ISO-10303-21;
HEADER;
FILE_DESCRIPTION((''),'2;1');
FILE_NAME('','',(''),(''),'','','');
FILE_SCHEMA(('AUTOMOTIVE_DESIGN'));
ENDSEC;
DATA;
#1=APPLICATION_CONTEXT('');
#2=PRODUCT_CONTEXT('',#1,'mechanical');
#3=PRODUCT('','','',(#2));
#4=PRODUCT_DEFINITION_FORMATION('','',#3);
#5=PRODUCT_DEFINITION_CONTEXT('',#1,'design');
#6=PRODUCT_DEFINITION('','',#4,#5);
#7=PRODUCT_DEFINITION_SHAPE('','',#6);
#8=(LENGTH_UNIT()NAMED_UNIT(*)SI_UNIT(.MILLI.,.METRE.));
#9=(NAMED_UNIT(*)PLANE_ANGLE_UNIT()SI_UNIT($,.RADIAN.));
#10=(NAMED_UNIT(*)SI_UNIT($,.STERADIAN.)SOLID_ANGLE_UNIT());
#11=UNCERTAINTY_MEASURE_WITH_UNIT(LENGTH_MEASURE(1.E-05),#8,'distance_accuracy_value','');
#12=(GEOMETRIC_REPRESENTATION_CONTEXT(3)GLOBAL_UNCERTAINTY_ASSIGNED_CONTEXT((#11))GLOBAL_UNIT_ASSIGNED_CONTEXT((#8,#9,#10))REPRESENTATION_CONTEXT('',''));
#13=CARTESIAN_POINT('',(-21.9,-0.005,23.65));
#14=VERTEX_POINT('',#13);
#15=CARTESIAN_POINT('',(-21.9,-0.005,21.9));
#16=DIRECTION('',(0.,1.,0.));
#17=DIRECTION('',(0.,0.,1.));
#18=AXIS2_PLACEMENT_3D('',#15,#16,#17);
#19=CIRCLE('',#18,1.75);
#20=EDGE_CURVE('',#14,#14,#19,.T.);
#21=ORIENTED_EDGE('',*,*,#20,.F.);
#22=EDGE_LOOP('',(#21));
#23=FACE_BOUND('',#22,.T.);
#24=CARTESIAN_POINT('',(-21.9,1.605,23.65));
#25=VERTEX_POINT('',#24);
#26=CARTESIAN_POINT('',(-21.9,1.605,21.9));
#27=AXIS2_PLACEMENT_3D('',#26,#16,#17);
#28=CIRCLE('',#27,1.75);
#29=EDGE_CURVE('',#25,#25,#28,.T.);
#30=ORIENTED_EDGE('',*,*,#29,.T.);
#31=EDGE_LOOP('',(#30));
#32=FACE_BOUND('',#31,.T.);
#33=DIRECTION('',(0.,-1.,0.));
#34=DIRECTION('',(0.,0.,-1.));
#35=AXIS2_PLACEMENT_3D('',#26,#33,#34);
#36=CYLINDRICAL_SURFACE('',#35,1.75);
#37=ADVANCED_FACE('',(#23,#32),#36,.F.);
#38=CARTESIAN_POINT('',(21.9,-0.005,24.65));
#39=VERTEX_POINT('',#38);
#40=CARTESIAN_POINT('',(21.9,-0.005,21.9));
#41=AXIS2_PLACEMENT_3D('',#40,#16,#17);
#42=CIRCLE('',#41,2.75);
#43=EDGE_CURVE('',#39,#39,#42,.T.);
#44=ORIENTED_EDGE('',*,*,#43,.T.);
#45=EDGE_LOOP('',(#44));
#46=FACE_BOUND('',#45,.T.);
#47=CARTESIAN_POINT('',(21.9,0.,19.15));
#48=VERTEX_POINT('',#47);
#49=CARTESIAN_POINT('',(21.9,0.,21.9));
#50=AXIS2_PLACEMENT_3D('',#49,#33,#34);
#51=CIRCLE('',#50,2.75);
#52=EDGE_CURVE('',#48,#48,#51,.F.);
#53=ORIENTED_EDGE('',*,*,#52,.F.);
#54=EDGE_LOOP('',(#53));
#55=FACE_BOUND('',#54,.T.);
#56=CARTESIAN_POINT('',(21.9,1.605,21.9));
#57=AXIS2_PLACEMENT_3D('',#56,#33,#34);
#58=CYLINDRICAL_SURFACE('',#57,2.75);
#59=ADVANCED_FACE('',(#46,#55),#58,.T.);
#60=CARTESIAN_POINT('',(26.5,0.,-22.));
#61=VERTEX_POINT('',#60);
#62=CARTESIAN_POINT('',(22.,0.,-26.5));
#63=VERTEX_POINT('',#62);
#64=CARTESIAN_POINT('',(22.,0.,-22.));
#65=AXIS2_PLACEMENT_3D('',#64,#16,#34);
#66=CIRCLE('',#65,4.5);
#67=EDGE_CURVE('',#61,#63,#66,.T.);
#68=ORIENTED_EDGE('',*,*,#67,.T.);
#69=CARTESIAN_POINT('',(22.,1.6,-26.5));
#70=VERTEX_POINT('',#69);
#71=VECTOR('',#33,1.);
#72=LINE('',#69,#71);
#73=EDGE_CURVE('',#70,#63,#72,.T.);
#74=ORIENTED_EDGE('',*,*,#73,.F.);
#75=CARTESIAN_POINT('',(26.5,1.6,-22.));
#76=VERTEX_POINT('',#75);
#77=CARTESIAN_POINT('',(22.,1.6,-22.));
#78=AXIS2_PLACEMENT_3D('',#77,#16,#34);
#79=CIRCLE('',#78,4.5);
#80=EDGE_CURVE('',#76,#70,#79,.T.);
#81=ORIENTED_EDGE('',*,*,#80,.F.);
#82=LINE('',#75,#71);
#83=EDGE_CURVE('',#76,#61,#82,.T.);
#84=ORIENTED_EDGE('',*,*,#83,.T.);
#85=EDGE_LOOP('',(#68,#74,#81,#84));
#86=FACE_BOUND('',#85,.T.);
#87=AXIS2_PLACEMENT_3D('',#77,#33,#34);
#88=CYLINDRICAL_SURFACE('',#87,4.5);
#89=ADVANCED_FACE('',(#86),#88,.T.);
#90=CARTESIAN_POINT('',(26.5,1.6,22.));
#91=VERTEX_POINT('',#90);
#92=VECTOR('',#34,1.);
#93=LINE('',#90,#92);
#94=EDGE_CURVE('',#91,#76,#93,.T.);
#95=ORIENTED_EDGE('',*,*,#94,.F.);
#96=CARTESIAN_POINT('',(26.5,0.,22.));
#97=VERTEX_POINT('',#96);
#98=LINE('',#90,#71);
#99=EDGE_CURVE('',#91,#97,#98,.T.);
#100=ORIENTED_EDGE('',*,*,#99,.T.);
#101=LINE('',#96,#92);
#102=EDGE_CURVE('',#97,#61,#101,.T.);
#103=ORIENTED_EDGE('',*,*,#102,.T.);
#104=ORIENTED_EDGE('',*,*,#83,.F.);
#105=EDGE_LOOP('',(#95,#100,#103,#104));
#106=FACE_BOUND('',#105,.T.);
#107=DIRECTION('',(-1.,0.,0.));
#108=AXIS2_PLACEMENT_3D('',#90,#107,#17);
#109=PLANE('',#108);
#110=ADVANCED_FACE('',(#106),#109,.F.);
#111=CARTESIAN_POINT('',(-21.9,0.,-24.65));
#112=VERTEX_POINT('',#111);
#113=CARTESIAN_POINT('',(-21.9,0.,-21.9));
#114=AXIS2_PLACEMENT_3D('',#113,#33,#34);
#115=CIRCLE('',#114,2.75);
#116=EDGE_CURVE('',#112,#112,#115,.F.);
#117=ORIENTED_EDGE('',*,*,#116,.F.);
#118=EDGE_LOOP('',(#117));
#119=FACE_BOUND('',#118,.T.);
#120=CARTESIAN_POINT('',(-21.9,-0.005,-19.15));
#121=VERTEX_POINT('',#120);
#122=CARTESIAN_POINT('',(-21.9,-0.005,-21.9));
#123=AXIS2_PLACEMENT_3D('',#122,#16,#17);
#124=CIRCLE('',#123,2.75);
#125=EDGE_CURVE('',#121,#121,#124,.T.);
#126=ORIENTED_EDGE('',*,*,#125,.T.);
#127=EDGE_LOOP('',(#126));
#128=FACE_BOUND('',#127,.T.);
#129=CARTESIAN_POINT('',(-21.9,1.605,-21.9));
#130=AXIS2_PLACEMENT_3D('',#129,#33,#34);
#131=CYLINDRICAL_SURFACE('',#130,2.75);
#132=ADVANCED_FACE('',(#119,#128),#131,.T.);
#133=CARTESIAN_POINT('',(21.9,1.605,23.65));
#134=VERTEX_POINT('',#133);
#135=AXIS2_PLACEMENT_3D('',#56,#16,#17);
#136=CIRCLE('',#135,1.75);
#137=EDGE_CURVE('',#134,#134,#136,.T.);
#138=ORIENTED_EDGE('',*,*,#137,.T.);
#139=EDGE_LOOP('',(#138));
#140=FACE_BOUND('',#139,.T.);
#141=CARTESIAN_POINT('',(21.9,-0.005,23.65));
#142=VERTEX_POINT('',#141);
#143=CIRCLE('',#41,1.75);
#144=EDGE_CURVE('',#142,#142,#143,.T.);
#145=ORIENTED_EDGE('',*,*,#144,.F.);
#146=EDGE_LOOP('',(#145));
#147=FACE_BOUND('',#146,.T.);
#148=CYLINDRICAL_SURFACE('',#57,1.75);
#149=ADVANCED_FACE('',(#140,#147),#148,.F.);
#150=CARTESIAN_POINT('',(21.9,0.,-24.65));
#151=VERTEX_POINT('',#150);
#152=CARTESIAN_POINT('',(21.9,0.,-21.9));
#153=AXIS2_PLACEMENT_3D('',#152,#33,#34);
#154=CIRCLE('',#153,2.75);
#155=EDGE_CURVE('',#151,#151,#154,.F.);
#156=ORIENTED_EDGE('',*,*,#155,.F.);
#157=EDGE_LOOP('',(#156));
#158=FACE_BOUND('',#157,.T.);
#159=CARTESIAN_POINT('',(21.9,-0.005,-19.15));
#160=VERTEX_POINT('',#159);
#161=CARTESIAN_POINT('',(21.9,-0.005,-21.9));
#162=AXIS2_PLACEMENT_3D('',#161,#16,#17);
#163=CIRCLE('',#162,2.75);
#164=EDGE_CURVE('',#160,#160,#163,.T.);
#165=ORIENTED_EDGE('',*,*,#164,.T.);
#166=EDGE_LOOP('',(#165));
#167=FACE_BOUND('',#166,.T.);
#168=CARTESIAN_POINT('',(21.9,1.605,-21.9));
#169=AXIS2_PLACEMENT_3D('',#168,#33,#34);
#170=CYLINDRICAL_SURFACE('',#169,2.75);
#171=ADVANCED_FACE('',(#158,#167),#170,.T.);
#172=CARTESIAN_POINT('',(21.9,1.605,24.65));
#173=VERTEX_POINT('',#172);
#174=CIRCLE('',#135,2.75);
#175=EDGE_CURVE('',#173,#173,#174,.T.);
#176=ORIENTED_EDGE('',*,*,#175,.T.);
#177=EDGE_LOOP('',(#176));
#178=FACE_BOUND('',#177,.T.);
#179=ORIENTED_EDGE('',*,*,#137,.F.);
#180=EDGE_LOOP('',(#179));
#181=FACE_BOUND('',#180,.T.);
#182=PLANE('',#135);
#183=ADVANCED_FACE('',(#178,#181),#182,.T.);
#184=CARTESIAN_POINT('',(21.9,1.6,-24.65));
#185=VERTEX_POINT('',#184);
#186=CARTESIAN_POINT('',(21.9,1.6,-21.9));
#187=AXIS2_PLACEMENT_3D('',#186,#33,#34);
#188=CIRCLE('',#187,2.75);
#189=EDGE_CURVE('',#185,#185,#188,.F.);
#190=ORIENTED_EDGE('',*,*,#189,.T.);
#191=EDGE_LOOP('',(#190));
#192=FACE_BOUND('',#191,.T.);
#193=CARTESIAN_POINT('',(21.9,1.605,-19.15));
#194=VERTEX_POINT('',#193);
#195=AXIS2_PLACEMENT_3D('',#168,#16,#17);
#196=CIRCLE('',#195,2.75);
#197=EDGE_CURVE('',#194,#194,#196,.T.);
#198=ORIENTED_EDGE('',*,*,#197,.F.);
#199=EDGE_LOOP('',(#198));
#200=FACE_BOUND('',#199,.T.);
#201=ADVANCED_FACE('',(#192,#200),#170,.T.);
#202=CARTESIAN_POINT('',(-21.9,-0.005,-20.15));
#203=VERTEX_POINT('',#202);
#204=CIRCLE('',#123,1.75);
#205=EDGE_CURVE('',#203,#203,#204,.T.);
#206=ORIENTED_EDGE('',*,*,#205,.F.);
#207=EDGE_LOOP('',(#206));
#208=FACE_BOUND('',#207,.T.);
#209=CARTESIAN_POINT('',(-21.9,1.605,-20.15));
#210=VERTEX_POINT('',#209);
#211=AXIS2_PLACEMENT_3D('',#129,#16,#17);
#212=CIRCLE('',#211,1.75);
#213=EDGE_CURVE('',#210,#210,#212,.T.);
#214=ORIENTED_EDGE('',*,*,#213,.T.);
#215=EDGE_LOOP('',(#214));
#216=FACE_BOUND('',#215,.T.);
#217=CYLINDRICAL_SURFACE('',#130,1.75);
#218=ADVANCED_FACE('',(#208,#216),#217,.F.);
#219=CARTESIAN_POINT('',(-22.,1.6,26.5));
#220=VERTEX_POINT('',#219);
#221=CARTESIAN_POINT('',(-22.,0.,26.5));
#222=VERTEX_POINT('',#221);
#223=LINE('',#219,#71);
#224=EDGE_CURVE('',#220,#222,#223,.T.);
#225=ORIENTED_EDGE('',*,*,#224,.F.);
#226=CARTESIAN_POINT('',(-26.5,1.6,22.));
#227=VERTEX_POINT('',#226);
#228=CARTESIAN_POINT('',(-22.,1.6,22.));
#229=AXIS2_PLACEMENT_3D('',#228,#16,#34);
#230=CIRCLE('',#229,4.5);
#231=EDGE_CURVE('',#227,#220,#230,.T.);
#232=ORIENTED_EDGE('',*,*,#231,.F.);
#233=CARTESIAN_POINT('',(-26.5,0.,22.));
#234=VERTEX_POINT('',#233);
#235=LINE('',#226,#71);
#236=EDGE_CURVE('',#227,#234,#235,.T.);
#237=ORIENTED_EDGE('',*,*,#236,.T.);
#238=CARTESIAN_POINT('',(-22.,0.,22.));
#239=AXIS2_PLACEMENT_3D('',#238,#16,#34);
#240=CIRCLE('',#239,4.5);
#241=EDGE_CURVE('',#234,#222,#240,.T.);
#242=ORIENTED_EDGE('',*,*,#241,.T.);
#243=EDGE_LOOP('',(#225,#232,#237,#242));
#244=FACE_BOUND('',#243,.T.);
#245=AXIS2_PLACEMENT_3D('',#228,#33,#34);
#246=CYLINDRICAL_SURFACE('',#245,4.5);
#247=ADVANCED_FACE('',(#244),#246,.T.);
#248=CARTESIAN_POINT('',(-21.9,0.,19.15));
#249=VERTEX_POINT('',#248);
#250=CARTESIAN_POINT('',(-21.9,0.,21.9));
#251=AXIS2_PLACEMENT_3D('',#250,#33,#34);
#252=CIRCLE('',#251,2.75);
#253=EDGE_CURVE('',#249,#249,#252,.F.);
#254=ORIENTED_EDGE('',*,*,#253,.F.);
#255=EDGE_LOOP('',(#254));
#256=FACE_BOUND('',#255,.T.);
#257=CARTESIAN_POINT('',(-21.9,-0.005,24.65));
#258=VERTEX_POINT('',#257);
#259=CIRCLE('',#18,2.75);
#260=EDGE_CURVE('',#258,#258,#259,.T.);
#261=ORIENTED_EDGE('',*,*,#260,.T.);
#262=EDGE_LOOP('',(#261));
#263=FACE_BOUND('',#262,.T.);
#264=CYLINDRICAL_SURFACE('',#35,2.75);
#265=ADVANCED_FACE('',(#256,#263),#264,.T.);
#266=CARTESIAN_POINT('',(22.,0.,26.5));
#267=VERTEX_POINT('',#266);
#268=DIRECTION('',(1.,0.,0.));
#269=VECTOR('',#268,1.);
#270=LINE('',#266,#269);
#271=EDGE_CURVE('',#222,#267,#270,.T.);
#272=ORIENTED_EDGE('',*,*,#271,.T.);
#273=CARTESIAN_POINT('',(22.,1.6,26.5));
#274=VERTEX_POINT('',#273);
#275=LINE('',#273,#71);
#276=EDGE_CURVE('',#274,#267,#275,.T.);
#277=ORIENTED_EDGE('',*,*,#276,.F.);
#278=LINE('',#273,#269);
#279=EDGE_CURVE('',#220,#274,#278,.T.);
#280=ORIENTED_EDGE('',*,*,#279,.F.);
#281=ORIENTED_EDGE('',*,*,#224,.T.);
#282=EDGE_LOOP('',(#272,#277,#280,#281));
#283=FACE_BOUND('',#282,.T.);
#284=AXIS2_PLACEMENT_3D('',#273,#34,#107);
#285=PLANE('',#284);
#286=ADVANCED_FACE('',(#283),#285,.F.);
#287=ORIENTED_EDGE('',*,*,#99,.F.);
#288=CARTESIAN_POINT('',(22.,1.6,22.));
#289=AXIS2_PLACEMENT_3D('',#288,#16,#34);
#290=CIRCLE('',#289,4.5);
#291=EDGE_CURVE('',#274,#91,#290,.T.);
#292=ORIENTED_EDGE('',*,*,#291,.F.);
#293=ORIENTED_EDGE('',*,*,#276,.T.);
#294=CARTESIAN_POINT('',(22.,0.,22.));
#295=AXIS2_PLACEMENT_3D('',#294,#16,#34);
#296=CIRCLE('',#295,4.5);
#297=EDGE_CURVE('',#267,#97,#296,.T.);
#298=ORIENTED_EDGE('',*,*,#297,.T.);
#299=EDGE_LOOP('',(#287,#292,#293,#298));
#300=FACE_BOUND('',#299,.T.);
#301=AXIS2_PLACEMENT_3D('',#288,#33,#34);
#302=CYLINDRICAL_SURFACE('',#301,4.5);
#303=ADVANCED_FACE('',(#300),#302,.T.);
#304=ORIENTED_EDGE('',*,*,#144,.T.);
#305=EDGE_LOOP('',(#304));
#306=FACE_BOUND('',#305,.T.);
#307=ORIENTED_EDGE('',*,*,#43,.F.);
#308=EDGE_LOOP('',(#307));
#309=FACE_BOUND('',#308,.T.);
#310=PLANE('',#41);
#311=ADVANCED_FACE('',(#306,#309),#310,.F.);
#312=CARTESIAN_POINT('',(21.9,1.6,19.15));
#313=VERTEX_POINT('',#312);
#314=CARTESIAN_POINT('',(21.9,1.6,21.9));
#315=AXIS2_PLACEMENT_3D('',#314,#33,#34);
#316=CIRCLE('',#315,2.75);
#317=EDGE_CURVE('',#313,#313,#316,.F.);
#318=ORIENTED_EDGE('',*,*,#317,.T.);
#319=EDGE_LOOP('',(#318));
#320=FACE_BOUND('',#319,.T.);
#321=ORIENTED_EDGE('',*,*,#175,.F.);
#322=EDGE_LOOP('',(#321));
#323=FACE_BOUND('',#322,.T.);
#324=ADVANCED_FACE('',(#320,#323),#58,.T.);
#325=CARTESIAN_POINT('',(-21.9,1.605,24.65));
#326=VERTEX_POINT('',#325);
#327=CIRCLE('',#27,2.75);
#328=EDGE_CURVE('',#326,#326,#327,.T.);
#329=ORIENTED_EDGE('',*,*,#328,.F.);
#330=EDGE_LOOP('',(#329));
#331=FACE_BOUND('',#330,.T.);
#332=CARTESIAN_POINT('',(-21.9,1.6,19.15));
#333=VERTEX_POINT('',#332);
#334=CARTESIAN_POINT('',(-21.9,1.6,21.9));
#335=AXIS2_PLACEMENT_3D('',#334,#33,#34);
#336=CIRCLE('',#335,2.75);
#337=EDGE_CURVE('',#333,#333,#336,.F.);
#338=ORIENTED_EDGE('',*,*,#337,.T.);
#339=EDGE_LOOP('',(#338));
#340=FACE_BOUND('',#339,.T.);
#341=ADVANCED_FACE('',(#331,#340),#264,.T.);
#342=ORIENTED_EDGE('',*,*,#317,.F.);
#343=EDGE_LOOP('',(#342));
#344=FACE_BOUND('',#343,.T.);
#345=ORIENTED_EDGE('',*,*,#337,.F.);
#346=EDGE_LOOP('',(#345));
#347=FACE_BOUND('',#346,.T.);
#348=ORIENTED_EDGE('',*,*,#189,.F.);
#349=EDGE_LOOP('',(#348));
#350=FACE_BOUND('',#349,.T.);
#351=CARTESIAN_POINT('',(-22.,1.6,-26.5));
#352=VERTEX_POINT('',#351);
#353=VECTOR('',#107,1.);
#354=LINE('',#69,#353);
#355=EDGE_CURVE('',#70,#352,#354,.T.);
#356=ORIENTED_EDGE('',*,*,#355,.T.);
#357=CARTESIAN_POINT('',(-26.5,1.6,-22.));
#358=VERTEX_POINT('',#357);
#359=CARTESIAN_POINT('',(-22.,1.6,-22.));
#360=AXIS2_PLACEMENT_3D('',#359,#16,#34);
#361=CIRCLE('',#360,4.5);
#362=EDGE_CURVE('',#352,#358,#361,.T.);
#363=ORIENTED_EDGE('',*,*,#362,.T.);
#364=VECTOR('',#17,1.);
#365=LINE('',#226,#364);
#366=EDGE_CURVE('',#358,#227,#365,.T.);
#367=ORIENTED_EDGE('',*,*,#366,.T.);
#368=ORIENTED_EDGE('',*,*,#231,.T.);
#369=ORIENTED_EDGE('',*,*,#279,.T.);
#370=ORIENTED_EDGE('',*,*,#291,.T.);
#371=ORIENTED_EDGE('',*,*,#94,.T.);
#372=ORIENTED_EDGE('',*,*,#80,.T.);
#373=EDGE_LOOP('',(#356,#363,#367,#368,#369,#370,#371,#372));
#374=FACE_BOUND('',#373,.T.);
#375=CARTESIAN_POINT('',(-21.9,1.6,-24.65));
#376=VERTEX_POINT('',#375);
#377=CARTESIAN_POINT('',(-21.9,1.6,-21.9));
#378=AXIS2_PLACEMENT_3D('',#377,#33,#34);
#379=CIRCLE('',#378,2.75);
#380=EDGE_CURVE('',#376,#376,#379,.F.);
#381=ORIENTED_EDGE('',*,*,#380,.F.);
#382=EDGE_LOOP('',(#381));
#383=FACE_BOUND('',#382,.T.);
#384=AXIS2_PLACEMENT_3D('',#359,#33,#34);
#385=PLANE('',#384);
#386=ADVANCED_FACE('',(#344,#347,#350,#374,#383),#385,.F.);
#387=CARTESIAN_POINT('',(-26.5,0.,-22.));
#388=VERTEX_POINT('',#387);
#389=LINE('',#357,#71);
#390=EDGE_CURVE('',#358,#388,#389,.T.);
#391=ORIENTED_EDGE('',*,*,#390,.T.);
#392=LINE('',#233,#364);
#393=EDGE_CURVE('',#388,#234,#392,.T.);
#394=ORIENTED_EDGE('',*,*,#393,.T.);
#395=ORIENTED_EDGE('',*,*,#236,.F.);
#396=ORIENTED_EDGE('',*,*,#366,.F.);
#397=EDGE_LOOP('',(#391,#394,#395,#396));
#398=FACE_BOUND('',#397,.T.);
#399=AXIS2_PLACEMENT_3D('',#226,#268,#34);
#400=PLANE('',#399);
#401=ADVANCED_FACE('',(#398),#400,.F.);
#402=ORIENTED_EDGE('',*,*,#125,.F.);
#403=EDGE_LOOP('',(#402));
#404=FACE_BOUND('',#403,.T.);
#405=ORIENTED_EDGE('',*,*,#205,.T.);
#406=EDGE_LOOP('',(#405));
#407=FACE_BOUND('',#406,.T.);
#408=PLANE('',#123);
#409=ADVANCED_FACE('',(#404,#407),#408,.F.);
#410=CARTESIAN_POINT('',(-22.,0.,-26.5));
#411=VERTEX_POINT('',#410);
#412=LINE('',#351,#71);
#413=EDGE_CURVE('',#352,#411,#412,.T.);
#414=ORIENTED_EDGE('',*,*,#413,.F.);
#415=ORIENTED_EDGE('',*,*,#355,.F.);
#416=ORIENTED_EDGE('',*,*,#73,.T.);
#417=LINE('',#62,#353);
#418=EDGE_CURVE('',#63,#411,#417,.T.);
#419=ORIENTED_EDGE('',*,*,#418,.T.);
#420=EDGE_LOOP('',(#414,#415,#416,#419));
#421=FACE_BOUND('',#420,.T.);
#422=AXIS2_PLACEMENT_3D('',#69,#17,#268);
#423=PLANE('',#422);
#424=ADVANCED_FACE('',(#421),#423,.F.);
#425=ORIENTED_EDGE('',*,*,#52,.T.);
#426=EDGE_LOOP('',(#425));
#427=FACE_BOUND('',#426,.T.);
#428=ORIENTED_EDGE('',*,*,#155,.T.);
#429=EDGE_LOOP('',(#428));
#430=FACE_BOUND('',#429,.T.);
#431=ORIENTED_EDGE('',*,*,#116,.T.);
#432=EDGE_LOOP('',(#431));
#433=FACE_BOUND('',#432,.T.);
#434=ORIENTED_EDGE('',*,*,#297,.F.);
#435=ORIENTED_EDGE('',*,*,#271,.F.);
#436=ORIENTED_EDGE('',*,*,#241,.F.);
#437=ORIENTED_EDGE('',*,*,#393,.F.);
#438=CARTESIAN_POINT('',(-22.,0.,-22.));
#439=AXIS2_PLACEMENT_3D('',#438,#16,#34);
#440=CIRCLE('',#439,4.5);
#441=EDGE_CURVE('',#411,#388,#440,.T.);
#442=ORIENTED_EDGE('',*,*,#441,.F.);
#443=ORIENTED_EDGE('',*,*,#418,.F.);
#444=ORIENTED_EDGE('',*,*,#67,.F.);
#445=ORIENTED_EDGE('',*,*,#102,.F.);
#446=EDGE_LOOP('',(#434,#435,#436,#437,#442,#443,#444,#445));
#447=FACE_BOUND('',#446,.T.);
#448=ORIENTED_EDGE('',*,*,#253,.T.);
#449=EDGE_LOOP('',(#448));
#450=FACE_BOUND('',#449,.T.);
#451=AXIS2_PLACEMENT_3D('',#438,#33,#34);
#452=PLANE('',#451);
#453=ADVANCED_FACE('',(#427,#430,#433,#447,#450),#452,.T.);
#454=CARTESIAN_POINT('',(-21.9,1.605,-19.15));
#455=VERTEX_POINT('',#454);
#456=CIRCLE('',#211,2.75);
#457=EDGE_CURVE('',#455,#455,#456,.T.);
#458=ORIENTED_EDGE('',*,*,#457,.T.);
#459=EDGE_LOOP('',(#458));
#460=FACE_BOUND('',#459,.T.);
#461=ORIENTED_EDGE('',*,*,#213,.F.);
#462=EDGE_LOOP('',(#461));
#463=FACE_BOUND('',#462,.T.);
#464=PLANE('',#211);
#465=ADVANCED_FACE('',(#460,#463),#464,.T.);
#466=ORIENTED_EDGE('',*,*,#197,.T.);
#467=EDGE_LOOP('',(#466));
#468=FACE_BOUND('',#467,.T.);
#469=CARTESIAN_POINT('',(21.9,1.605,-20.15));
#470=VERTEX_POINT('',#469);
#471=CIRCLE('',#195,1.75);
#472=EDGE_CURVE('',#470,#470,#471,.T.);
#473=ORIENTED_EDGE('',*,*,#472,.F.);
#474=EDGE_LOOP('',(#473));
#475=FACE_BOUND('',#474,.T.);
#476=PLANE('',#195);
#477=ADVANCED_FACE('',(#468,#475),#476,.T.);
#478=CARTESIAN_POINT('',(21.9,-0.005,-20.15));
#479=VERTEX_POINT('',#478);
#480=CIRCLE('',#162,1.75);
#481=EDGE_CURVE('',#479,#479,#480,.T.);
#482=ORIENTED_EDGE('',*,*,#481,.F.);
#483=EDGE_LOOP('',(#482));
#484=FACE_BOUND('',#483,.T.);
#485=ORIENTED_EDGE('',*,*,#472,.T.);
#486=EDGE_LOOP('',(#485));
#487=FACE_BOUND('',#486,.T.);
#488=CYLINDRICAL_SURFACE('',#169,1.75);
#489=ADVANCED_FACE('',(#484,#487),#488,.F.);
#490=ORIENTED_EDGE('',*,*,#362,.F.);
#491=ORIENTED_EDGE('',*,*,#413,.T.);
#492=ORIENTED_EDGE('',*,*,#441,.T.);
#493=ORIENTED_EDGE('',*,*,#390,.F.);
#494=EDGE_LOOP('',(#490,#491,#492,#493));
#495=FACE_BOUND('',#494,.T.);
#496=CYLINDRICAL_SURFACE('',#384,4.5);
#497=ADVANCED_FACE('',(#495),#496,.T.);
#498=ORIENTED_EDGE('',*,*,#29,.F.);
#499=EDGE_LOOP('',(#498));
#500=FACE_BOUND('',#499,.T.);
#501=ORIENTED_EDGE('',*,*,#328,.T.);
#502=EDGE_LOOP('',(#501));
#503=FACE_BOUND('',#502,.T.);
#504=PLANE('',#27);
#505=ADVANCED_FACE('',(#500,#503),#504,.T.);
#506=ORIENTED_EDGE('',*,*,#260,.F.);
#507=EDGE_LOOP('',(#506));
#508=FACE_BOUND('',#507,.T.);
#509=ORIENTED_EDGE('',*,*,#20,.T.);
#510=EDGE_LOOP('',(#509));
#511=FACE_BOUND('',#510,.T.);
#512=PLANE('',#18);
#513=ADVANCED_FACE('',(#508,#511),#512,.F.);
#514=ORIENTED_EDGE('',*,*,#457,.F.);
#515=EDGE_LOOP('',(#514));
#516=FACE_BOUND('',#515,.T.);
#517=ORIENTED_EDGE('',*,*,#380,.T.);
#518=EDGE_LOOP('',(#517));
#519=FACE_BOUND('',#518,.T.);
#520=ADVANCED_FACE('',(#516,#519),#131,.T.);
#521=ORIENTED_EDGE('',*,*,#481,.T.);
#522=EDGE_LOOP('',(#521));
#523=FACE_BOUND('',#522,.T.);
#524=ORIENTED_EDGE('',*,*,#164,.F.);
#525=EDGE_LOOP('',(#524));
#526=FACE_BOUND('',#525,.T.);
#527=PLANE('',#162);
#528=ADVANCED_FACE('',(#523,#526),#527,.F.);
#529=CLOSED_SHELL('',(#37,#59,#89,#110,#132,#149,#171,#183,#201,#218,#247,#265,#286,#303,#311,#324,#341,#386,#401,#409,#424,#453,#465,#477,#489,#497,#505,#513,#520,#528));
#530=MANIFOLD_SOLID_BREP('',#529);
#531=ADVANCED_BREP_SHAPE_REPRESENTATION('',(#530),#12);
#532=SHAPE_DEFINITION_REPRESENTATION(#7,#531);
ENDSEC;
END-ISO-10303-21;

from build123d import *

# Parameters (mm, degrees)
SKETCH1_R           = 1.755
BOSS_EXTRUDE1_DEPTH = 1.6
BOSS_EXTRUDE2_START = 0.8
SKETCH2_R           = 2.75
SKETCH2_R_2         = 1.75
BOSS_EXTRUDE2_DEPTH = 0.805


with BuildPart() as part:
    # Sketch1 → Boss-Extrude1 (new body)
    with BuildSketch(Plane(origin=(0, 0, 0), x_dir=(1, 0, 0), z_dir=(0, 1, 0))):
        with BuildLine():
            Line((22, -26.5), (-22, -26.5))
            ThreePointArc((-22, -26.5), (-25.181980515, -25.181980515), (-26.5, -22))
            Line((-26.5, -22), (-26.5, 22))
            ThreePointArc((-26.5, 22), (-25.181980515, 25.181980515), (-22, 26.5))
            Line((-22, 26.5), (22, 26.5))
            ThreePointArc((22, 26.5), (25.181980515, 25.181980515), (26.5, 22))
            Line((26.5, 22), (26.5, -22))
            ThreePointArc((26.5, -22), (25.181980515, -25.181980515), (22, -26.5))
        make_face()
        with Locations((-21.9, 21.9)):
            Circle(SKETCH1_R, mode=Mode.SUBTRACT)
        with Locations((21.9, 21.9)):
            Circle(SKETCH1_R, mode=Mode.SUBTRACT)
        with Locations((-21.9, -21.9)):
            Circle(SKETCH1_R, mode=Mode.SUBTRACT)
        with Locations((21.9, -21.9)):
            Circle(SKETCH1_R, mode=Mode.SUBTRACT)
    extrude(amount=BOSS_EXTRUDE1_DEPTH)

    # Sketch2 → Boss-Extrude2 (add, symmetric)
    with BuildSketch(Plane(origin=(0, 0, 0), x_dir=(1, 0, 0), z_dir=(0, 1, 0)).offset(BOSS_EXTRUDE2_START)):
        with Locations((-21.9, 21.9)):
            Circle(SKETCH2_R)
        with Locations((-21.9, 21.9)):
            Circle(SKETCH2_R_2, mode=Mode.SUBTRACT)
        with Locations((21.9, 21.9)):
            Circle(SKETCH2_R)
        with Locations((21.9, 21.9)):
            Circle(SKETCH2_R_2, mode=Mode.SUBTRACT)
        with Locations((21.9, -21.9)):
            Circle(SKETCH2_R)
        with Locations((21.9, -21.9)):
            Circle(SKETCH2_R_2, mode=Mode.SUBTRACT)
        with Locations((-21.9, -21.9)):
            Circle(SKETCH2_R)
        with Locations((-21.9, -21.9)):
            Circle(SKETCH2_R_2, mode=Mode.SUBTRACT)
    extrude(amount=BOSS_EXTRUDE2_DEPTH, both=True)


solid = part.part
